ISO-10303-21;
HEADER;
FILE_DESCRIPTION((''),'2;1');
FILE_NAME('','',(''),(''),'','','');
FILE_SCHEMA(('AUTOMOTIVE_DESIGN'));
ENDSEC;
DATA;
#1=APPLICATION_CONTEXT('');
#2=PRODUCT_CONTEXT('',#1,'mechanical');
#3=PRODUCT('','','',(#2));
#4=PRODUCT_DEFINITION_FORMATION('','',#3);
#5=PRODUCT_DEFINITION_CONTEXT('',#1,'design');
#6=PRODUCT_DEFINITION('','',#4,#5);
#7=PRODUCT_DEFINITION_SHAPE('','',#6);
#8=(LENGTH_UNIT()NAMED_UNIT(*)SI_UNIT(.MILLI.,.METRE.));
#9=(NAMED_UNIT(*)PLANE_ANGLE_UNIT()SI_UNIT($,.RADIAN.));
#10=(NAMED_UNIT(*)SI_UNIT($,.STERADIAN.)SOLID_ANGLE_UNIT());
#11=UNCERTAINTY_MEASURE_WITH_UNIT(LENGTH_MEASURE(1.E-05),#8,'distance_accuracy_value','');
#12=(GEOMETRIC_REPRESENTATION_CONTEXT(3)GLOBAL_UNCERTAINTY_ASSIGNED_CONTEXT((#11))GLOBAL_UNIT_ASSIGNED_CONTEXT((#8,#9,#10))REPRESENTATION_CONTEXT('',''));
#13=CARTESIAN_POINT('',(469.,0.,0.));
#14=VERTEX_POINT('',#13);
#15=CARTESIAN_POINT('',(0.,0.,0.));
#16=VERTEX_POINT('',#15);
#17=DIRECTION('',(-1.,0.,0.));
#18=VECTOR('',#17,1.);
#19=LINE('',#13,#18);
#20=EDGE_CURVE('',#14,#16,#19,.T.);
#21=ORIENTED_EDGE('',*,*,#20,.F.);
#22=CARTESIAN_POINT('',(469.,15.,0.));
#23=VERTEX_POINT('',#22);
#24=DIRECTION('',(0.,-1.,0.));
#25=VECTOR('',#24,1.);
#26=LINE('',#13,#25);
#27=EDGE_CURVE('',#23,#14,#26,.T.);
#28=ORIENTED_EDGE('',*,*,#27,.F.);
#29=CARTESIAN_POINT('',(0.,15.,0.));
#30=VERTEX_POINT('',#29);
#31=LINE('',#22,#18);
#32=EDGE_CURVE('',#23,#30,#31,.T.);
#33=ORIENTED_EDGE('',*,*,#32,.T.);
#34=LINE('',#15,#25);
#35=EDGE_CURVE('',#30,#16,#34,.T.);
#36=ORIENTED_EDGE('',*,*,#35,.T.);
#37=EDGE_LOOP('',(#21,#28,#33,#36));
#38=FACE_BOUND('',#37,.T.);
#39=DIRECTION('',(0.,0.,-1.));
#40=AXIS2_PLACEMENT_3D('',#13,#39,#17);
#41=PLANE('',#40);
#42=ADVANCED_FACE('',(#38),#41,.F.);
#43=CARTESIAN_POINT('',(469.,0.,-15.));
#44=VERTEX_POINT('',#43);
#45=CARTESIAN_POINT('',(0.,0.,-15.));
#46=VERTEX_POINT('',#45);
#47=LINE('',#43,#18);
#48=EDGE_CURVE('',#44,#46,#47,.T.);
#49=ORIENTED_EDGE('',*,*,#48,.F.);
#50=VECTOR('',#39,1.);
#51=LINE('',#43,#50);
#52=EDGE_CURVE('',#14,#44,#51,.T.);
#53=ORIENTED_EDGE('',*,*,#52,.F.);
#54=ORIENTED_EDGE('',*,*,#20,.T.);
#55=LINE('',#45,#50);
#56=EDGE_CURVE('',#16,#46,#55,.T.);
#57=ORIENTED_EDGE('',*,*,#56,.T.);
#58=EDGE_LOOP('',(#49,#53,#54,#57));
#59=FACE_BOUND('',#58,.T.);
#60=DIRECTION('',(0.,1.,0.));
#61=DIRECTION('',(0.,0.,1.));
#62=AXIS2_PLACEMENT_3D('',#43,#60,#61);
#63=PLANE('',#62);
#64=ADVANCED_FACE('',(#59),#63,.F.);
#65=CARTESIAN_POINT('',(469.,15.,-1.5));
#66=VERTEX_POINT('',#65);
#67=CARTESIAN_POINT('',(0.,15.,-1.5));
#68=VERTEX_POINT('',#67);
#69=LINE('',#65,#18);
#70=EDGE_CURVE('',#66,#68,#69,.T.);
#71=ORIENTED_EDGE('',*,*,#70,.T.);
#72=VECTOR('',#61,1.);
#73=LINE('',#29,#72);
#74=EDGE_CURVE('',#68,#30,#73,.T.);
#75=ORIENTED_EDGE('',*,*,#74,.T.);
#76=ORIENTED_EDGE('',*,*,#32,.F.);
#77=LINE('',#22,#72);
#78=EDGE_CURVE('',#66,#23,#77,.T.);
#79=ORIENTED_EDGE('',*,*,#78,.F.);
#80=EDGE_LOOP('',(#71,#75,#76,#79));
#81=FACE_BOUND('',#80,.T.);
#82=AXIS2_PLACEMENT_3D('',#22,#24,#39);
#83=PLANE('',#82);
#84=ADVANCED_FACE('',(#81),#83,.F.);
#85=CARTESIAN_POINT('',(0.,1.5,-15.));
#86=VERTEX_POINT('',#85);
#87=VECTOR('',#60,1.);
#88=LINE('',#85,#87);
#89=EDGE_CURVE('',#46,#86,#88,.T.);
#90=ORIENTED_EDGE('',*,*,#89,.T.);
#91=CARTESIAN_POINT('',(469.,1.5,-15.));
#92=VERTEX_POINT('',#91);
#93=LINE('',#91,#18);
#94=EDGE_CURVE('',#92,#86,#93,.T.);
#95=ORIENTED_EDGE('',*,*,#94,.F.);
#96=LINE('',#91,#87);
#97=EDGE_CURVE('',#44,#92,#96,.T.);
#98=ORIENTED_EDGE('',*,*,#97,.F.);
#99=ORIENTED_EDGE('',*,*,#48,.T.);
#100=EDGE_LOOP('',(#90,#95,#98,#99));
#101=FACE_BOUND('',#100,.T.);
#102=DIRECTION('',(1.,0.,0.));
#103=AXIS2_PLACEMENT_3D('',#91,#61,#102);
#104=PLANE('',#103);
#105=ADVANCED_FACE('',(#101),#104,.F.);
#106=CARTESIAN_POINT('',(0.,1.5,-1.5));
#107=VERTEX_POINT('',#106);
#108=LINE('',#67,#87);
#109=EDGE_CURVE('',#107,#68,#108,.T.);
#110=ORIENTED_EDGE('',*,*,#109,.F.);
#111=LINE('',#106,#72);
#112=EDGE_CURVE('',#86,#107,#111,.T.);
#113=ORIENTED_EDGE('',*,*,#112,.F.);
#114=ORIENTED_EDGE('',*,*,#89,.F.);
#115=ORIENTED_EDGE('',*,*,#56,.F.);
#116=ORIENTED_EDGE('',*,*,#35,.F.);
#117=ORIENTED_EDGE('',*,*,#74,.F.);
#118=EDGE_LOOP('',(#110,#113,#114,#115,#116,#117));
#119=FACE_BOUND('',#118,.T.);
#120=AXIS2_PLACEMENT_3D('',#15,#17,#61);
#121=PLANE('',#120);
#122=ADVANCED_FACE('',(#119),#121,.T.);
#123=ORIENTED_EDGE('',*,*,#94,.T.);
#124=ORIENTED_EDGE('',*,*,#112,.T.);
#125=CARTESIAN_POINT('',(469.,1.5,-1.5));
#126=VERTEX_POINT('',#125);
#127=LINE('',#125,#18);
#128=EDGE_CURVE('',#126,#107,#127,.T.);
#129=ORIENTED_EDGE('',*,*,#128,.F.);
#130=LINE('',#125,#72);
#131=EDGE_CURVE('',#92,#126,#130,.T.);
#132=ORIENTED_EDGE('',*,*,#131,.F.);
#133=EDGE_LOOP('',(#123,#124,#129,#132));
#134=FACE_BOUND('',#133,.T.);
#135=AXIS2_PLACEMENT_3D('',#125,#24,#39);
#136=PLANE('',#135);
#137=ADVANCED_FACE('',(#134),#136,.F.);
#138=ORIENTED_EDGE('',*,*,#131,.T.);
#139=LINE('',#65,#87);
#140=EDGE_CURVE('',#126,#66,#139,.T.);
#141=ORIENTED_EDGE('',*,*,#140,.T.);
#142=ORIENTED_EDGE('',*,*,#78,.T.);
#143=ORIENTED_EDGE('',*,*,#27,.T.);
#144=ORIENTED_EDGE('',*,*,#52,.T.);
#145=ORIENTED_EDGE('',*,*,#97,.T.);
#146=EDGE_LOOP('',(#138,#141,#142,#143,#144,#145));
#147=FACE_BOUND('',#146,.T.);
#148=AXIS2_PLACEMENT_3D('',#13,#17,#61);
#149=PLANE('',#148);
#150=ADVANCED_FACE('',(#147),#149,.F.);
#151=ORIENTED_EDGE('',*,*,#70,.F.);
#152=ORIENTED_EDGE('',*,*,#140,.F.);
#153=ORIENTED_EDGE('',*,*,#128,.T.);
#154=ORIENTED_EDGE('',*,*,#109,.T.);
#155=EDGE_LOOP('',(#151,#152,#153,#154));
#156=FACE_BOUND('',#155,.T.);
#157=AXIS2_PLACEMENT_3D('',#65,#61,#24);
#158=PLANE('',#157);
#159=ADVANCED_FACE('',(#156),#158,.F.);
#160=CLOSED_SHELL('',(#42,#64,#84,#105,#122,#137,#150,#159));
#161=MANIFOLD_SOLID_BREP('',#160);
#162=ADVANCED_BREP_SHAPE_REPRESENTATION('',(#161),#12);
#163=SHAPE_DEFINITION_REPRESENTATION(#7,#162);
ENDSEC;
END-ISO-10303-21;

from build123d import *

# Parameters (mm, degrees)
EXTRUDE_1_DEPTH = 469


with BuildPart() as part:
    # Эскиз1 → Бобышка-Вытянуть1 (new body)
    with BuildSketch(Plane(origin=(0, 0, 0), x_dir=(0, 0, -1), z_dir=(1, 0, 0))):
        Polygon((0, 0), (0, 15), (1.5, 15), (1.5, 1.5), (15, 1.5), (15, 0), align=None)
    extrude(amount=EXTRUDE_1_DEPTH)


solid = part.part
